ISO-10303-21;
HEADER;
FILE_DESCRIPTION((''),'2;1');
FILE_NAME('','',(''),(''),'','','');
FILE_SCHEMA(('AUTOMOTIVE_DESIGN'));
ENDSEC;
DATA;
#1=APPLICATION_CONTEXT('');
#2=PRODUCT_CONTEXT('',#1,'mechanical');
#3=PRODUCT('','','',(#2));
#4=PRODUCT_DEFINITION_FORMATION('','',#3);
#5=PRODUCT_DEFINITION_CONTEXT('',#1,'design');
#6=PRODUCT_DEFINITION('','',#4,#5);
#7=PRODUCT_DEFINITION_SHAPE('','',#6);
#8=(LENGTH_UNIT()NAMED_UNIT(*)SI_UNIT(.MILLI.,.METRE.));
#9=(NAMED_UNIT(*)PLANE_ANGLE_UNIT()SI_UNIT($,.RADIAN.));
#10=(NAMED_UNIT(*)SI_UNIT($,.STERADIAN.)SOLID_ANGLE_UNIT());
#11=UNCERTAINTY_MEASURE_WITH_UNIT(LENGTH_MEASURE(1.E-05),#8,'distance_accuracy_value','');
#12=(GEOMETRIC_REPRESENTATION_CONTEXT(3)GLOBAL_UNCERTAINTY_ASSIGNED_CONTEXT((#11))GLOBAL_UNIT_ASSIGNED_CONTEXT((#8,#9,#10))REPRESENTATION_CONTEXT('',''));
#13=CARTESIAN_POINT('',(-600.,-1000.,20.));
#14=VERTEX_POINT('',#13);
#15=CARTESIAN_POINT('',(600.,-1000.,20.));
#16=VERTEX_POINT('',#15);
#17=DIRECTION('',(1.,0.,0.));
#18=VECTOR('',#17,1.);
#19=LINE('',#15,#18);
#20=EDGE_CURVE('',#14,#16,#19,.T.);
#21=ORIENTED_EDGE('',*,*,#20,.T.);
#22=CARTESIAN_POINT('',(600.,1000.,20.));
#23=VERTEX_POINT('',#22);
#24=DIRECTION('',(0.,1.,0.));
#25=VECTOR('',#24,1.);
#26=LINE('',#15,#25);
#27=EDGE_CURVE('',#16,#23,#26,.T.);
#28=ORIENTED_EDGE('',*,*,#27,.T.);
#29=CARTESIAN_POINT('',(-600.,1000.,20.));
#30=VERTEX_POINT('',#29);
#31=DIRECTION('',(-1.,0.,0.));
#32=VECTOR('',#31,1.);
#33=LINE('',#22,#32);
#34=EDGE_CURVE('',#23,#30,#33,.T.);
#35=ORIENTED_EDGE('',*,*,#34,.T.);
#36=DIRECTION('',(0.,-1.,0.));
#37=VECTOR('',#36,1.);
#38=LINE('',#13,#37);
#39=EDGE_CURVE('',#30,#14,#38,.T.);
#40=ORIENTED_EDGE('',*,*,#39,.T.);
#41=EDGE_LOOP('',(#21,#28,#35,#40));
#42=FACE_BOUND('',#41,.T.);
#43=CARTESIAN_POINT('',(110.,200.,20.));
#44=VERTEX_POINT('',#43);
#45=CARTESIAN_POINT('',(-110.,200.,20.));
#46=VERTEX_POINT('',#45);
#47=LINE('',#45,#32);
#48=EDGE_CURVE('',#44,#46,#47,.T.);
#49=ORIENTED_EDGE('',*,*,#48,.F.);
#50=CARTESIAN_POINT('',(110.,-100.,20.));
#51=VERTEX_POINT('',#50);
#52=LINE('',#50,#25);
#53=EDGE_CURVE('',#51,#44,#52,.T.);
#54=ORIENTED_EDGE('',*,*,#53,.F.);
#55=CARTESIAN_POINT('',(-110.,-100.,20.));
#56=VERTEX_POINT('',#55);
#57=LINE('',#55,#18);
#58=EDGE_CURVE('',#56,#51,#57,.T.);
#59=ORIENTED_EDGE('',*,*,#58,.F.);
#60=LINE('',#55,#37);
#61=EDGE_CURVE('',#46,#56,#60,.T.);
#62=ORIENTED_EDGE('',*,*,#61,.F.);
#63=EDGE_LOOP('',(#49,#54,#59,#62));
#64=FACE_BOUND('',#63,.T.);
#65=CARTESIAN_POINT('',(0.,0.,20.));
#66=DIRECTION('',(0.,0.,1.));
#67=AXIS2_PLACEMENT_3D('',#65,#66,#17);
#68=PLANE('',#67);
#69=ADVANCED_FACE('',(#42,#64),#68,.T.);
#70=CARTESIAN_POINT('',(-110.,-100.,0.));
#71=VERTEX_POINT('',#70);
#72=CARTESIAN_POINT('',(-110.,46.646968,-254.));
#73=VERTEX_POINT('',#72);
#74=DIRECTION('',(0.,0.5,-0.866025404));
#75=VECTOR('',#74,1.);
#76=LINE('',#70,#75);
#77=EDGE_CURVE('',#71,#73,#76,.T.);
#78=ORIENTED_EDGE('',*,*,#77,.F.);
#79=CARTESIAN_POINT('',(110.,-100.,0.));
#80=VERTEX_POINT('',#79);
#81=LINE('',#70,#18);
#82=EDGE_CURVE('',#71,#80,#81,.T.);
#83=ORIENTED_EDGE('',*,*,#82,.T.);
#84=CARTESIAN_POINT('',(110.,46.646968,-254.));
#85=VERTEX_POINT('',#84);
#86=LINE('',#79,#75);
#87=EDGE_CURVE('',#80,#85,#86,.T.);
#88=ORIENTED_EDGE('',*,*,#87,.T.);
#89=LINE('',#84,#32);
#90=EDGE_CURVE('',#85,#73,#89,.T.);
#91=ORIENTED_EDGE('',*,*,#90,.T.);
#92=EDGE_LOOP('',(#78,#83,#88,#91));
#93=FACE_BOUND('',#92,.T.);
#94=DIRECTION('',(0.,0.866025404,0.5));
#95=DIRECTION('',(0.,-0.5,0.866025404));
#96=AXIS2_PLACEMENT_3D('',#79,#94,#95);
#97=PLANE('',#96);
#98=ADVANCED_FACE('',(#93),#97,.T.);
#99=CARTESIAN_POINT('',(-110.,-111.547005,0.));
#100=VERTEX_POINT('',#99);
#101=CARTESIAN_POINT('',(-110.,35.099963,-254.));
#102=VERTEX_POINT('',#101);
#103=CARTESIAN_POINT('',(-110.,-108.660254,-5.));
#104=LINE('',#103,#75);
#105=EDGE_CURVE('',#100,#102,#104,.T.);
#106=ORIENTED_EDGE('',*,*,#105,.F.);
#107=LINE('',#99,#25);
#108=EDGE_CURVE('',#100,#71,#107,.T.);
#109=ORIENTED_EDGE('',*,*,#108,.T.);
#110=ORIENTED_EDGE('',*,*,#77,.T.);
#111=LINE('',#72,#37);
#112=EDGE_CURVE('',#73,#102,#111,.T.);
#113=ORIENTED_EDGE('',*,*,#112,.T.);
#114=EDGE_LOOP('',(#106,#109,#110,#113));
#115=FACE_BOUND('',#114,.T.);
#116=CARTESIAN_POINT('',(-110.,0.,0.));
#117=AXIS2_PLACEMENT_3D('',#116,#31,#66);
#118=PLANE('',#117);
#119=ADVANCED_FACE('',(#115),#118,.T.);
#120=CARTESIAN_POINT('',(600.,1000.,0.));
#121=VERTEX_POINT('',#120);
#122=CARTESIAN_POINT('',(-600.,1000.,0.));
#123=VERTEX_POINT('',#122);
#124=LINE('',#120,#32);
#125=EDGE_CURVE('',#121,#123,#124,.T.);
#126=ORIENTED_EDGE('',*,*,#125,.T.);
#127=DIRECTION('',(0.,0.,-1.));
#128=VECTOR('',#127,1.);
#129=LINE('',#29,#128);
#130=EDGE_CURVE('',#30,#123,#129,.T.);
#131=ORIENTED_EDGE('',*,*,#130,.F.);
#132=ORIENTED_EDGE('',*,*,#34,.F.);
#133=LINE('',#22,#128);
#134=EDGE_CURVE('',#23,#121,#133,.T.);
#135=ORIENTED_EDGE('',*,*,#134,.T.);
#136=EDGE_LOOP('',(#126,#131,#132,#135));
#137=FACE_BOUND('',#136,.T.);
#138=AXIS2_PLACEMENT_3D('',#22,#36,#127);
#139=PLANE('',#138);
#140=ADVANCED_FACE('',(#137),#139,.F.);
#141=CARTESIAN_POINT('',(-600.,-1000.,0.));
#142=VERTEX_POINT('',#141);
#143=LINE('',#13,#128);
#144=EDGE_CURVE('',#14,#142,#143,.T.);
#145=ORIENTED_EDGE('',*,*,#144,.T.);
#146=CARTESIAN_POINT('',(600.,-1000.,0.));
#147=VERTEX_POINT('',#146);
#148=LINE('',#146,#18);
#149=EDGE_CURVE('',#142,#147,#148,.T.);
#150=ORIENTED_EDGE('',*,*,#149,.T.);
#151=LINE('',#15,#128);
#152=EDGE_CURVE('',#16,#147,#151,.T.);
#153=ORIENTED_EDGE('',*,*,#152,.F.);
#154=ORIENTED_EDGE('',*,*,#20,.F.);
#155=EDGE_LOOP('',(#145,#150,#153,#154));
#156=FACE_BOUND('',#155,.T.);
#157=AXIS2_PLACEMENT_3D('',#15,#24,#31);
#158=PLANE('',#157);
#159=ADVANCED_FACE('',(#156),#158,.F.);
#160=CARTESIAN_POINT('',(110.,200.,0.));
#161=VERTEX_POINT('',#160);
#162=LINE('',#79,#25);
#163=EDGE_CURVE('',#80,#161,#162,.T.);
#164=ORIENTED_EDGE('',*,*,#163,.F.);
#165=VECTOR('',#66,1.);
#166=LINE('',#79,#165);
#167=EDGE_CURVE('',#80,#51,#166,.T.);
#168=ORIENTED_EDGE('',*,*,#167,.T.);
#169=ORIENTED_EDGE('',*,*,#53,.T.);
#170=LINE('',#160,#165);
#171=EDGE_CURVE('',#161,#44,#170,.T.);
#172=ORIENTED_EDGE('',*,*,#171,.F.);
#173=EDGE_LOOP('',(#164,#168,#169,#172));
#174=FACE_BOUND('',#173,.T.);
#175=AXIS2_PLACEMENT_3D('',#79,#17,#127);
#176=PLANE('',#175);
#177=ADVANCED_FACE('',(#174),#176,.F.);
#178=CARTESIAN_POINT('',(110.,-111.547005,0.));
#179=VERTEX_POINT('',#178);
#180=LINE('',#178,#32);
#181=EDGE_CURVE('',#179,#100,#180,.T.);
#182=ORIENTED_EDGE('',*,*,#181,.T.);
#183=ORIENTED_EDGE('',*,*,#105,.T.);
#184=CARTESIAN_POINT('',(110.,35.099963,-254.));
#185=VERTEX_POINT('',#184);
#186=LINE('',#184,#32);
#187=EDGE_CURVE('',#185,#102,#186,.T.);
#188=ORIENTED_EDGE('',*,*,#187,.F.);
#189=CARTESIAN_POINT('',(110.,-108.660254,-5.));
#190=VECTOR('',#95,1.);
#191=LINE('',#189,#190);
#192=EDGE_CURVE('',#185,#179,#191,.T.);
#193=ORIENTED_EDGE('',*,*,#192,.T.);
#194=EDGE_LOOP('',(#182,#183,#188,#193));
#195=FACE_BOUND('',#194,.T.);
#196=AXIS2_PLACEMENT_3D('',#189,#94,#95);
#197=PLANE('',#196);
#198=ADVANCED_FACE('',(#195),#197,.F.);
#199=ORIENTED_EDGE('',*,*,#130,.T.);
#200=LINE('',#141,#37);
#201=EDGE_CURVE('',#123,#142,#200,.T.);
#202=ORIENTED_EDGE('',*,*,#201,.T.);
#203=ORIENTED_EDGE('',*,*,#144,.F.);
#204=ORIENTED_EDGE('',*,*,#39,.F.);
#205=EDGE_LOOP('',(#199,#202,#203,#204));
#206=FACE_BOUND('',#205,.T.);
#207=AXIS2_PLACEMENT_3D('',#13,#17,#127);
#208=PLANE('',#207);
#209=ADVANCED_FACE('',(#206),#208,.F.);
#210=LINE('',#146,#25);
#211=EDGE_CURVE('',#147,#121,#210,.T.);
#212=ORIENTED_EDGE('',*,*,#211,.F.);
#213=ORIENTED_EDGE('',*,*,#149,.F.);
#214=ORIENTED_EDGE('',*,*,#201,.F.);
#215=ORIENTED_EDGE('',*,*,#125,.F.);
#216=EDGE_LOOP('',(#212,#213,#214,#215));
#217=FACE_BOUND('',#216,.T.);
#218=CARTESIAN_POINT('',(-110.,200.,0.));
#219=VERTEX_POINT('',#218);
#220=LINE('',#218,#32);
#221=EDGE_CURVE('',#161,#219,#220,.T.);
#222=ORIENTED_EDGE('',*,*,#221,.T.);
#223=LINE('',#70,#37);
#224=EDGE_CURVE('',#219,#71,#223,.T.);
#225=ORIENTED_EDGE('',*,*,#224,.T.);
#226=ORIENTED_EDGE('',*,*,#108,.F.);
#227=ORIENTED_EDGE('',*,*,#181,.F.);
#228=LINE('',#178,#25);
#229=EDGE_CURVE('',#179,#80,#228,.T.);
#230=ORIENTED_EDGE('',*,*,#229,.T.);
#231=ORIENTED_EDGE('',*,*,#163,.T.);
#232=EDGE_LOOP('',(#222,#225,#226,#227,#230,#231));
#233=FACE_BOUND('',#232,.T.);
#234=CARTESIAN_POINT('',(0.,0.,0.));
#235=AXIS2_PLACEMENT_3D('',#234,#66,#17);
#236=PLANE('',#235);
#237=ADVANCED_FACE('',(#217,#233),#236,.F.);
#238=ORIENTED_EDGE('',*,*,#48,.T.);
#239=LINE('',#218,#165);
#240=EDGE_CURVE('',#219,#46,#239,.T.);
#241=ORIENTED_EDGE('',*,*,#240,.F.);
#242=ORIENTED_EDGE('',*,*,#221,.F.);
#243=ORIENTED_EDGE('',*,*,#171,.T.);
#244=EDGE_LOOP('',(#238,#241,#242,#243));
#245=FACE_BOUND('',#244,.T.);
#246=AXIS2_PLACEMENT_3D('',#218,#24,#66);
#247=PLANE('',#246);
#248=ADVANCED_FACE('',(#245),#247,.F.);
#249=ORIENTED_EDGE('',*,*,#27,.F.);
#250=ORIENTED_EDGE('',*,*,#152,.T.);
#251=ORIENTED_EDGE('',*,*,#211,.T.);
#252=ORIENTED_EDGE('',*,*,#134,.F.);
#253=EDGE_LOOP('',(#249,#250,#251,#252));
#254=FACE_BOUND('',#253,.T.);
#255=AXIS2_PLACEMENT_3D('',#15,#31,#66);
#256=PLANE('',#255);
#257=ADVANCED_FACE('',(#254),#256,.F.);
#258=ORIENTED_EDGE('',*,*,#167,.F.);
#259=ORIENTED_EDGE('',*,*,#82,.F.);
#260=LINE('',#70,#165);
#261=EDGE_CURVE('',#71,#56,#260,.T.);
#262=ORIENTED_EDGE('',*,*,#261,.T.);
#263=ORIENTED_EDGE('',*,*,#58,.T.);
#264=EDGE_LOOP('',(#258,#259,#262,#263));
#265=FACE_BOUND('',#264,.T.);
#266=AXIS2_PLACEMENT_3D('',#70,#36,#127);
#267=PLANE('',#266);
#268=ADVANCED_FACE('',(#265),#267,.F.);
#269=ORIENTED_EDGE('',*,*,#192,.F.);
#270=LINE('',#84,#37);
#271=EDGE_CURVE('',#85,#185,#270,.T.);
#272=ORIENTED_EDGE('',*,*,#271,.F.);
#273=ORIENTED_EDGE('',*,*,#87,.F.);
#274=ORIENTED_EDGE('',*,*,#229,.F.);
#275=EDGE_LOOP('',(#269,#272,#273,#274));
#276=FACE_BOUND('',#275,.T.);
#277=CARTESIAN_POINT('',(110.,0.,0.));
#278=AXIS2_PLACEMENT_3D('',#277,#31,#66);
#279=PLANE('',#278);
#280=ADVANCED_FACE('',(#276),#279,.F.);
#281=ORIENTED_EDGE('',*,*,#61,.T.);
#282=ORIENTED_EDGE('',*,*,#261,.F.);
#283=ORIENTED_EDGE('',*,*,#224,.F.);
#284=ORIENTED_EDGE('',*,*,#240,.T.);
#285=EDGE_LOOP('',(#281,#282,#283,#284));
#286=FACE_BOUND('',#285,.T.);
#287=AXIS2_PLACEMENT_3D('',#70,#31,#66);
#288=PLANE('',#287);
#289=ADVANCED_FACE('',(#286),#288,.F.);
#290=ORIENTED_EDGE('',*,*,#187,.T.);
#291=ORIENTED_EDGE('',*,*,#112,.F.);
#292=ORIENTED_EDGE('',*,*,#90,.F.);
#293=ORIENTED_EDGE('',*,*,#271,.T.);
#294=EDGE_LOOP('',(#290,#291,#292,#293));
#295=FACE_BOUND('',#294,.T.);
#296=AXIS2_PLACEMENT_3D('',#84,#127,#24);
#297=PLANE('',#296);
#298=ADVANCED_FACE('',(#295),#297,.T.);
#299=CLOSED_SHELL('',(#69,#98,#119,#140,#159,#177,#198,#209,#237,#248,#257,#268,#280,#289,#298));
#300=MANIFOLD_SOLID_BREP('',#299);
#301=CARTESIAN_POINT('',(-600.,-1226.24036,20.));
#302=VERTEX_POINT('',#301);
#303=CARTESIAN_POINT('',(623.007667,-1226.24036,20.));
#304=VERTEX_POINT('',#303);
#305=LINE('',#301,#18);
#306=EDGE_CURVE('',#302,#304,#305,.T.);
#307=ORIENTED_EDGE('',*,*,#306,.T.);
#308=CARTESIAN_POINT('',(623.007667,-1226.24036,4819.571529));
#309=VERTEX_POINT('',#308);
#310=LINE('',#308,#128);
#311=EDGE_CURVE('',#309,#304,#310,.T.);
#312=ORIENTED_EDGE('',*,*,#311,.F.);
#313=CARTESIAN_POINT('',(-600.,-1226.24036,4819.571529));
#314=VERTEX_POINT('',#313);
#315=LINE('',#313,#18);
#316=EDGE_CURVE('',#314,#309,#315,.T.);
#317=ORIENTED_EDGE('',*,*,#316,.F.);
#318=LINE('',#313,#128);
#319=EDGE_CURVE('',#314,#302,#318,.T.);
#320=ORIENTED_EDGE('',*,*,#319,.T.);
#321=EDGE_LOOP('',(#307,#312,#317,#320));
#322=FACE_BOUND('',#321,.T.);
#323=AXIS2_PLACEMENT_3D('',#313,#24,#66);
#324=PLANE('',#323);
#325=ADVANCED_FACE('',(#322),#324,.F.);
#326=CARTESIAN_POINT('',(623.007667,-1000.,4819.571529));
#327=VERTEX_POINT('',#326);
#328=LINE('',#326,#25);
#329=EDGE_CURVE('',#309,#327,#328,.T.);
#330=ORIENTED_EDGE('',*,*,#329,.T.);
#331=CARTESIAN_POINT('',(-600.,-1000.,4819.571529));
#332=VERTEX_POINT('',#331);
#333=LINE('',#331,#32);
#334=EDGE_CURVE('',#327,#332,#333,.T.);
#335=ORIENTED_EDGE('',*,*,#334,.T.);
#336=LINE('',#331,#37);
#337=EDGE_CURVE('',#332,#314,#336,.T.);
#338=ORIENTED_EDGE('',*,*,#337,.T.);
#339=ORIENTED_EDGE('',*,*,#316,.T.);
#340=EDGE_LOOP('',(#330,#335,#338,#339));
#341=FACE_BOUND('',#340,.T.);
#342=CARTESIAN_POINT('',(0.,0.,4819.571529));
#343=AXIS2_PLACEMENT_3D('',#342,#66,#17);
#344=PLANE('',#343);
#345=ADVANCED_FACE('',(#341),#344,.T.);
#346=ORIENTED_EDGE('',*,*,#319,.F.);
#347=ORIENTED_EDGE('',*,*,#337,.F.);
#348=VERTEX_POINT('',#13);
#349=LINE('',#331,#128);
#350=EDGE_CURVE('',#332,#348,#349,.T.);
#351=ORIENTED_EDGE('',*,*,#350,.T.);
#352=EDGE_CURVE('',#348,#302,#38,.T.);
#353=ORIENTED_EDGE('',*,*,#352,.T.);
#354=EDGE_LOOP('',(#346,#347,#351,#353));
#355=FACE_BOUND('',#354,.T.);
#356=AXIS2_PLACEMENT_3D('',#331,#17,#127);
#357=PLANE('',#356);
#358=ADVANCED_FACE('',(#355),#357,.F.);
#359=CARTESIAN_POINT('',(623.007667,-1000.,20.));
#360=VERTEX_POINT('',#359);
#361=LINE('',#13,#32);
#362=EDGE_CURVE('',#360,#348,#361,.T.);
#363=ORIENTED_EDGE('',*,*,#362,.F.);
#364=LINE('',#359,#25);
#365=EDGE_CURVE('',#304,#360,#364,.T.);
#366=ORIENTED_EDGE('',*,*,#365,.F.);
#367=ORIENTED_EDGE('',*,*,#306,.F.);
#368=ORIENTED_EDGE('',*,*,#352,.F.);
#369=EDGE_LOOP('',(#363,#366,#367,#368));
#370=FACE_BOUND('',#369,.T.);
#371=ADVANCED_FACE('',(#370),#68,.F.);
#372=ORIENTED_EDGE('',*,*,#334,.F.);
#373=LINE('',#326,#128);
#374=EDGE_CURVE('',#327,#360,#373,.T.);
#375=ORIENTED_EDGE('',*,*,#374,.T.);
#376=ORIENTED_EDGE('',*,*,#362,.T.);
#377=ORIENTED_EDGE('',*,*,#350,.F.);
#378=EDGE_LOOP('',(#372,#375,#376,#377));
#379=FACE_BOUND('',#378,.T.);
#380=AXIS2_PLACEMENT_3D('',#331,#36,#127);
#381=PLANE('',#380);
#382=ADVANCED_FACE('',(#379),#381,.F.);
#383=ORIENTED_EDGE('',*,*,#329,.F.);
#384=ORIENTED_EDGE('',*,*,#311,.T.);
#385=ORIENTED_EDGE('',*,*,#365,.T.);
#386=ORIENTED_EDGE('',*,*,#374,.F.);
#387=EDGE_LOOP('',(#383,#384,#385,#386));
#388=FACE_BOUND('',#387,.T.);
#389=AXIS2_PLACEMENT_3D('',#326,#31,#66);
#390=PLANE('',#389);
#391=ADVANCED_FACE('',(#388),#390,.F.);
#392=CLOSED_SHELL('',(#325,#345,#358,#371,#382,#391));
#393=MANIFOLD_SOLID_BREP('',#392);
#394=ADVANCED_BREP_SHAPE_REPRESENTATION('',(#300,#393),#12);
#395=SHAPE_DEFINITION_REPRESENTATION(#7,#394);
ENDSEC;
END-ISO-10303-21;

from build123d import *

# Parameters (mm, degrees)
SKETCH1_W           = 1200
SKETCH1_H           = 2000
BOSS_EXTRUDE1_DEPTH = 20
SKETCH3_W           = 220
SKETCH3_H           = 300
CUT_EXTRUDE1_DEPTH  = 21
BOSS_EXTRUDE2_DEPTH = 110
SKETCH7_W           = 1223.00766722
SKETCH7_H           = 226.240360044
BOSS_EXTRUDE3_DEPTH = 4799.571529182


with BuildPart() as part:
    # Sketch1 → Boss-Extrude1 (new body)
    with BuildSketch(Plane.XY):
        Rectangle(SKETCH1_W, SKETCH1_H)
    extrude(amount=BOSS_EXTRUDE1_DEPTH)

    # Sketch3 → Cut-Extrude1 (cut, through all)
    with BuildSketch(Plane.XY.offset(20)):
        with Locations((0, 50)):
            Rectangle(SKETCH3_W, SKETCH3_H)
    extrude(amount=-CUT_EXTRUDE1_DEPTH, mode=Mode.SUBTRACT)

    # Sketch4 → Boss-Extrude2 (add, symmetric)
    with BuildSketch(Plane(origin=(0, 0, 0), x_dir=(0, 0, -1), z_dir=(1, 0, 0))):
        Polygon((0, -100), (254, 46.646968374), (254, 35.09996299), (5, -108.660254038), (0, -111.547005384), align=None)
    extrude(amount=BOSS_EXTRUDE2_DEPTH, both=True)


with BuildPart() as body_2:
    # Sketch7 → Boss-Extrude3 (new body)
    with BuildSketch(Plane.XY.offset(20)):
        with Locations((11.50383361, -1113.120180022)):
            Rectangle(SKETCH7_W, SKETCH7_H)
    extrude(amount=BOSS_EXTRUDE3_DEPTH)


solid = Compound([part.part, body_2.part])
